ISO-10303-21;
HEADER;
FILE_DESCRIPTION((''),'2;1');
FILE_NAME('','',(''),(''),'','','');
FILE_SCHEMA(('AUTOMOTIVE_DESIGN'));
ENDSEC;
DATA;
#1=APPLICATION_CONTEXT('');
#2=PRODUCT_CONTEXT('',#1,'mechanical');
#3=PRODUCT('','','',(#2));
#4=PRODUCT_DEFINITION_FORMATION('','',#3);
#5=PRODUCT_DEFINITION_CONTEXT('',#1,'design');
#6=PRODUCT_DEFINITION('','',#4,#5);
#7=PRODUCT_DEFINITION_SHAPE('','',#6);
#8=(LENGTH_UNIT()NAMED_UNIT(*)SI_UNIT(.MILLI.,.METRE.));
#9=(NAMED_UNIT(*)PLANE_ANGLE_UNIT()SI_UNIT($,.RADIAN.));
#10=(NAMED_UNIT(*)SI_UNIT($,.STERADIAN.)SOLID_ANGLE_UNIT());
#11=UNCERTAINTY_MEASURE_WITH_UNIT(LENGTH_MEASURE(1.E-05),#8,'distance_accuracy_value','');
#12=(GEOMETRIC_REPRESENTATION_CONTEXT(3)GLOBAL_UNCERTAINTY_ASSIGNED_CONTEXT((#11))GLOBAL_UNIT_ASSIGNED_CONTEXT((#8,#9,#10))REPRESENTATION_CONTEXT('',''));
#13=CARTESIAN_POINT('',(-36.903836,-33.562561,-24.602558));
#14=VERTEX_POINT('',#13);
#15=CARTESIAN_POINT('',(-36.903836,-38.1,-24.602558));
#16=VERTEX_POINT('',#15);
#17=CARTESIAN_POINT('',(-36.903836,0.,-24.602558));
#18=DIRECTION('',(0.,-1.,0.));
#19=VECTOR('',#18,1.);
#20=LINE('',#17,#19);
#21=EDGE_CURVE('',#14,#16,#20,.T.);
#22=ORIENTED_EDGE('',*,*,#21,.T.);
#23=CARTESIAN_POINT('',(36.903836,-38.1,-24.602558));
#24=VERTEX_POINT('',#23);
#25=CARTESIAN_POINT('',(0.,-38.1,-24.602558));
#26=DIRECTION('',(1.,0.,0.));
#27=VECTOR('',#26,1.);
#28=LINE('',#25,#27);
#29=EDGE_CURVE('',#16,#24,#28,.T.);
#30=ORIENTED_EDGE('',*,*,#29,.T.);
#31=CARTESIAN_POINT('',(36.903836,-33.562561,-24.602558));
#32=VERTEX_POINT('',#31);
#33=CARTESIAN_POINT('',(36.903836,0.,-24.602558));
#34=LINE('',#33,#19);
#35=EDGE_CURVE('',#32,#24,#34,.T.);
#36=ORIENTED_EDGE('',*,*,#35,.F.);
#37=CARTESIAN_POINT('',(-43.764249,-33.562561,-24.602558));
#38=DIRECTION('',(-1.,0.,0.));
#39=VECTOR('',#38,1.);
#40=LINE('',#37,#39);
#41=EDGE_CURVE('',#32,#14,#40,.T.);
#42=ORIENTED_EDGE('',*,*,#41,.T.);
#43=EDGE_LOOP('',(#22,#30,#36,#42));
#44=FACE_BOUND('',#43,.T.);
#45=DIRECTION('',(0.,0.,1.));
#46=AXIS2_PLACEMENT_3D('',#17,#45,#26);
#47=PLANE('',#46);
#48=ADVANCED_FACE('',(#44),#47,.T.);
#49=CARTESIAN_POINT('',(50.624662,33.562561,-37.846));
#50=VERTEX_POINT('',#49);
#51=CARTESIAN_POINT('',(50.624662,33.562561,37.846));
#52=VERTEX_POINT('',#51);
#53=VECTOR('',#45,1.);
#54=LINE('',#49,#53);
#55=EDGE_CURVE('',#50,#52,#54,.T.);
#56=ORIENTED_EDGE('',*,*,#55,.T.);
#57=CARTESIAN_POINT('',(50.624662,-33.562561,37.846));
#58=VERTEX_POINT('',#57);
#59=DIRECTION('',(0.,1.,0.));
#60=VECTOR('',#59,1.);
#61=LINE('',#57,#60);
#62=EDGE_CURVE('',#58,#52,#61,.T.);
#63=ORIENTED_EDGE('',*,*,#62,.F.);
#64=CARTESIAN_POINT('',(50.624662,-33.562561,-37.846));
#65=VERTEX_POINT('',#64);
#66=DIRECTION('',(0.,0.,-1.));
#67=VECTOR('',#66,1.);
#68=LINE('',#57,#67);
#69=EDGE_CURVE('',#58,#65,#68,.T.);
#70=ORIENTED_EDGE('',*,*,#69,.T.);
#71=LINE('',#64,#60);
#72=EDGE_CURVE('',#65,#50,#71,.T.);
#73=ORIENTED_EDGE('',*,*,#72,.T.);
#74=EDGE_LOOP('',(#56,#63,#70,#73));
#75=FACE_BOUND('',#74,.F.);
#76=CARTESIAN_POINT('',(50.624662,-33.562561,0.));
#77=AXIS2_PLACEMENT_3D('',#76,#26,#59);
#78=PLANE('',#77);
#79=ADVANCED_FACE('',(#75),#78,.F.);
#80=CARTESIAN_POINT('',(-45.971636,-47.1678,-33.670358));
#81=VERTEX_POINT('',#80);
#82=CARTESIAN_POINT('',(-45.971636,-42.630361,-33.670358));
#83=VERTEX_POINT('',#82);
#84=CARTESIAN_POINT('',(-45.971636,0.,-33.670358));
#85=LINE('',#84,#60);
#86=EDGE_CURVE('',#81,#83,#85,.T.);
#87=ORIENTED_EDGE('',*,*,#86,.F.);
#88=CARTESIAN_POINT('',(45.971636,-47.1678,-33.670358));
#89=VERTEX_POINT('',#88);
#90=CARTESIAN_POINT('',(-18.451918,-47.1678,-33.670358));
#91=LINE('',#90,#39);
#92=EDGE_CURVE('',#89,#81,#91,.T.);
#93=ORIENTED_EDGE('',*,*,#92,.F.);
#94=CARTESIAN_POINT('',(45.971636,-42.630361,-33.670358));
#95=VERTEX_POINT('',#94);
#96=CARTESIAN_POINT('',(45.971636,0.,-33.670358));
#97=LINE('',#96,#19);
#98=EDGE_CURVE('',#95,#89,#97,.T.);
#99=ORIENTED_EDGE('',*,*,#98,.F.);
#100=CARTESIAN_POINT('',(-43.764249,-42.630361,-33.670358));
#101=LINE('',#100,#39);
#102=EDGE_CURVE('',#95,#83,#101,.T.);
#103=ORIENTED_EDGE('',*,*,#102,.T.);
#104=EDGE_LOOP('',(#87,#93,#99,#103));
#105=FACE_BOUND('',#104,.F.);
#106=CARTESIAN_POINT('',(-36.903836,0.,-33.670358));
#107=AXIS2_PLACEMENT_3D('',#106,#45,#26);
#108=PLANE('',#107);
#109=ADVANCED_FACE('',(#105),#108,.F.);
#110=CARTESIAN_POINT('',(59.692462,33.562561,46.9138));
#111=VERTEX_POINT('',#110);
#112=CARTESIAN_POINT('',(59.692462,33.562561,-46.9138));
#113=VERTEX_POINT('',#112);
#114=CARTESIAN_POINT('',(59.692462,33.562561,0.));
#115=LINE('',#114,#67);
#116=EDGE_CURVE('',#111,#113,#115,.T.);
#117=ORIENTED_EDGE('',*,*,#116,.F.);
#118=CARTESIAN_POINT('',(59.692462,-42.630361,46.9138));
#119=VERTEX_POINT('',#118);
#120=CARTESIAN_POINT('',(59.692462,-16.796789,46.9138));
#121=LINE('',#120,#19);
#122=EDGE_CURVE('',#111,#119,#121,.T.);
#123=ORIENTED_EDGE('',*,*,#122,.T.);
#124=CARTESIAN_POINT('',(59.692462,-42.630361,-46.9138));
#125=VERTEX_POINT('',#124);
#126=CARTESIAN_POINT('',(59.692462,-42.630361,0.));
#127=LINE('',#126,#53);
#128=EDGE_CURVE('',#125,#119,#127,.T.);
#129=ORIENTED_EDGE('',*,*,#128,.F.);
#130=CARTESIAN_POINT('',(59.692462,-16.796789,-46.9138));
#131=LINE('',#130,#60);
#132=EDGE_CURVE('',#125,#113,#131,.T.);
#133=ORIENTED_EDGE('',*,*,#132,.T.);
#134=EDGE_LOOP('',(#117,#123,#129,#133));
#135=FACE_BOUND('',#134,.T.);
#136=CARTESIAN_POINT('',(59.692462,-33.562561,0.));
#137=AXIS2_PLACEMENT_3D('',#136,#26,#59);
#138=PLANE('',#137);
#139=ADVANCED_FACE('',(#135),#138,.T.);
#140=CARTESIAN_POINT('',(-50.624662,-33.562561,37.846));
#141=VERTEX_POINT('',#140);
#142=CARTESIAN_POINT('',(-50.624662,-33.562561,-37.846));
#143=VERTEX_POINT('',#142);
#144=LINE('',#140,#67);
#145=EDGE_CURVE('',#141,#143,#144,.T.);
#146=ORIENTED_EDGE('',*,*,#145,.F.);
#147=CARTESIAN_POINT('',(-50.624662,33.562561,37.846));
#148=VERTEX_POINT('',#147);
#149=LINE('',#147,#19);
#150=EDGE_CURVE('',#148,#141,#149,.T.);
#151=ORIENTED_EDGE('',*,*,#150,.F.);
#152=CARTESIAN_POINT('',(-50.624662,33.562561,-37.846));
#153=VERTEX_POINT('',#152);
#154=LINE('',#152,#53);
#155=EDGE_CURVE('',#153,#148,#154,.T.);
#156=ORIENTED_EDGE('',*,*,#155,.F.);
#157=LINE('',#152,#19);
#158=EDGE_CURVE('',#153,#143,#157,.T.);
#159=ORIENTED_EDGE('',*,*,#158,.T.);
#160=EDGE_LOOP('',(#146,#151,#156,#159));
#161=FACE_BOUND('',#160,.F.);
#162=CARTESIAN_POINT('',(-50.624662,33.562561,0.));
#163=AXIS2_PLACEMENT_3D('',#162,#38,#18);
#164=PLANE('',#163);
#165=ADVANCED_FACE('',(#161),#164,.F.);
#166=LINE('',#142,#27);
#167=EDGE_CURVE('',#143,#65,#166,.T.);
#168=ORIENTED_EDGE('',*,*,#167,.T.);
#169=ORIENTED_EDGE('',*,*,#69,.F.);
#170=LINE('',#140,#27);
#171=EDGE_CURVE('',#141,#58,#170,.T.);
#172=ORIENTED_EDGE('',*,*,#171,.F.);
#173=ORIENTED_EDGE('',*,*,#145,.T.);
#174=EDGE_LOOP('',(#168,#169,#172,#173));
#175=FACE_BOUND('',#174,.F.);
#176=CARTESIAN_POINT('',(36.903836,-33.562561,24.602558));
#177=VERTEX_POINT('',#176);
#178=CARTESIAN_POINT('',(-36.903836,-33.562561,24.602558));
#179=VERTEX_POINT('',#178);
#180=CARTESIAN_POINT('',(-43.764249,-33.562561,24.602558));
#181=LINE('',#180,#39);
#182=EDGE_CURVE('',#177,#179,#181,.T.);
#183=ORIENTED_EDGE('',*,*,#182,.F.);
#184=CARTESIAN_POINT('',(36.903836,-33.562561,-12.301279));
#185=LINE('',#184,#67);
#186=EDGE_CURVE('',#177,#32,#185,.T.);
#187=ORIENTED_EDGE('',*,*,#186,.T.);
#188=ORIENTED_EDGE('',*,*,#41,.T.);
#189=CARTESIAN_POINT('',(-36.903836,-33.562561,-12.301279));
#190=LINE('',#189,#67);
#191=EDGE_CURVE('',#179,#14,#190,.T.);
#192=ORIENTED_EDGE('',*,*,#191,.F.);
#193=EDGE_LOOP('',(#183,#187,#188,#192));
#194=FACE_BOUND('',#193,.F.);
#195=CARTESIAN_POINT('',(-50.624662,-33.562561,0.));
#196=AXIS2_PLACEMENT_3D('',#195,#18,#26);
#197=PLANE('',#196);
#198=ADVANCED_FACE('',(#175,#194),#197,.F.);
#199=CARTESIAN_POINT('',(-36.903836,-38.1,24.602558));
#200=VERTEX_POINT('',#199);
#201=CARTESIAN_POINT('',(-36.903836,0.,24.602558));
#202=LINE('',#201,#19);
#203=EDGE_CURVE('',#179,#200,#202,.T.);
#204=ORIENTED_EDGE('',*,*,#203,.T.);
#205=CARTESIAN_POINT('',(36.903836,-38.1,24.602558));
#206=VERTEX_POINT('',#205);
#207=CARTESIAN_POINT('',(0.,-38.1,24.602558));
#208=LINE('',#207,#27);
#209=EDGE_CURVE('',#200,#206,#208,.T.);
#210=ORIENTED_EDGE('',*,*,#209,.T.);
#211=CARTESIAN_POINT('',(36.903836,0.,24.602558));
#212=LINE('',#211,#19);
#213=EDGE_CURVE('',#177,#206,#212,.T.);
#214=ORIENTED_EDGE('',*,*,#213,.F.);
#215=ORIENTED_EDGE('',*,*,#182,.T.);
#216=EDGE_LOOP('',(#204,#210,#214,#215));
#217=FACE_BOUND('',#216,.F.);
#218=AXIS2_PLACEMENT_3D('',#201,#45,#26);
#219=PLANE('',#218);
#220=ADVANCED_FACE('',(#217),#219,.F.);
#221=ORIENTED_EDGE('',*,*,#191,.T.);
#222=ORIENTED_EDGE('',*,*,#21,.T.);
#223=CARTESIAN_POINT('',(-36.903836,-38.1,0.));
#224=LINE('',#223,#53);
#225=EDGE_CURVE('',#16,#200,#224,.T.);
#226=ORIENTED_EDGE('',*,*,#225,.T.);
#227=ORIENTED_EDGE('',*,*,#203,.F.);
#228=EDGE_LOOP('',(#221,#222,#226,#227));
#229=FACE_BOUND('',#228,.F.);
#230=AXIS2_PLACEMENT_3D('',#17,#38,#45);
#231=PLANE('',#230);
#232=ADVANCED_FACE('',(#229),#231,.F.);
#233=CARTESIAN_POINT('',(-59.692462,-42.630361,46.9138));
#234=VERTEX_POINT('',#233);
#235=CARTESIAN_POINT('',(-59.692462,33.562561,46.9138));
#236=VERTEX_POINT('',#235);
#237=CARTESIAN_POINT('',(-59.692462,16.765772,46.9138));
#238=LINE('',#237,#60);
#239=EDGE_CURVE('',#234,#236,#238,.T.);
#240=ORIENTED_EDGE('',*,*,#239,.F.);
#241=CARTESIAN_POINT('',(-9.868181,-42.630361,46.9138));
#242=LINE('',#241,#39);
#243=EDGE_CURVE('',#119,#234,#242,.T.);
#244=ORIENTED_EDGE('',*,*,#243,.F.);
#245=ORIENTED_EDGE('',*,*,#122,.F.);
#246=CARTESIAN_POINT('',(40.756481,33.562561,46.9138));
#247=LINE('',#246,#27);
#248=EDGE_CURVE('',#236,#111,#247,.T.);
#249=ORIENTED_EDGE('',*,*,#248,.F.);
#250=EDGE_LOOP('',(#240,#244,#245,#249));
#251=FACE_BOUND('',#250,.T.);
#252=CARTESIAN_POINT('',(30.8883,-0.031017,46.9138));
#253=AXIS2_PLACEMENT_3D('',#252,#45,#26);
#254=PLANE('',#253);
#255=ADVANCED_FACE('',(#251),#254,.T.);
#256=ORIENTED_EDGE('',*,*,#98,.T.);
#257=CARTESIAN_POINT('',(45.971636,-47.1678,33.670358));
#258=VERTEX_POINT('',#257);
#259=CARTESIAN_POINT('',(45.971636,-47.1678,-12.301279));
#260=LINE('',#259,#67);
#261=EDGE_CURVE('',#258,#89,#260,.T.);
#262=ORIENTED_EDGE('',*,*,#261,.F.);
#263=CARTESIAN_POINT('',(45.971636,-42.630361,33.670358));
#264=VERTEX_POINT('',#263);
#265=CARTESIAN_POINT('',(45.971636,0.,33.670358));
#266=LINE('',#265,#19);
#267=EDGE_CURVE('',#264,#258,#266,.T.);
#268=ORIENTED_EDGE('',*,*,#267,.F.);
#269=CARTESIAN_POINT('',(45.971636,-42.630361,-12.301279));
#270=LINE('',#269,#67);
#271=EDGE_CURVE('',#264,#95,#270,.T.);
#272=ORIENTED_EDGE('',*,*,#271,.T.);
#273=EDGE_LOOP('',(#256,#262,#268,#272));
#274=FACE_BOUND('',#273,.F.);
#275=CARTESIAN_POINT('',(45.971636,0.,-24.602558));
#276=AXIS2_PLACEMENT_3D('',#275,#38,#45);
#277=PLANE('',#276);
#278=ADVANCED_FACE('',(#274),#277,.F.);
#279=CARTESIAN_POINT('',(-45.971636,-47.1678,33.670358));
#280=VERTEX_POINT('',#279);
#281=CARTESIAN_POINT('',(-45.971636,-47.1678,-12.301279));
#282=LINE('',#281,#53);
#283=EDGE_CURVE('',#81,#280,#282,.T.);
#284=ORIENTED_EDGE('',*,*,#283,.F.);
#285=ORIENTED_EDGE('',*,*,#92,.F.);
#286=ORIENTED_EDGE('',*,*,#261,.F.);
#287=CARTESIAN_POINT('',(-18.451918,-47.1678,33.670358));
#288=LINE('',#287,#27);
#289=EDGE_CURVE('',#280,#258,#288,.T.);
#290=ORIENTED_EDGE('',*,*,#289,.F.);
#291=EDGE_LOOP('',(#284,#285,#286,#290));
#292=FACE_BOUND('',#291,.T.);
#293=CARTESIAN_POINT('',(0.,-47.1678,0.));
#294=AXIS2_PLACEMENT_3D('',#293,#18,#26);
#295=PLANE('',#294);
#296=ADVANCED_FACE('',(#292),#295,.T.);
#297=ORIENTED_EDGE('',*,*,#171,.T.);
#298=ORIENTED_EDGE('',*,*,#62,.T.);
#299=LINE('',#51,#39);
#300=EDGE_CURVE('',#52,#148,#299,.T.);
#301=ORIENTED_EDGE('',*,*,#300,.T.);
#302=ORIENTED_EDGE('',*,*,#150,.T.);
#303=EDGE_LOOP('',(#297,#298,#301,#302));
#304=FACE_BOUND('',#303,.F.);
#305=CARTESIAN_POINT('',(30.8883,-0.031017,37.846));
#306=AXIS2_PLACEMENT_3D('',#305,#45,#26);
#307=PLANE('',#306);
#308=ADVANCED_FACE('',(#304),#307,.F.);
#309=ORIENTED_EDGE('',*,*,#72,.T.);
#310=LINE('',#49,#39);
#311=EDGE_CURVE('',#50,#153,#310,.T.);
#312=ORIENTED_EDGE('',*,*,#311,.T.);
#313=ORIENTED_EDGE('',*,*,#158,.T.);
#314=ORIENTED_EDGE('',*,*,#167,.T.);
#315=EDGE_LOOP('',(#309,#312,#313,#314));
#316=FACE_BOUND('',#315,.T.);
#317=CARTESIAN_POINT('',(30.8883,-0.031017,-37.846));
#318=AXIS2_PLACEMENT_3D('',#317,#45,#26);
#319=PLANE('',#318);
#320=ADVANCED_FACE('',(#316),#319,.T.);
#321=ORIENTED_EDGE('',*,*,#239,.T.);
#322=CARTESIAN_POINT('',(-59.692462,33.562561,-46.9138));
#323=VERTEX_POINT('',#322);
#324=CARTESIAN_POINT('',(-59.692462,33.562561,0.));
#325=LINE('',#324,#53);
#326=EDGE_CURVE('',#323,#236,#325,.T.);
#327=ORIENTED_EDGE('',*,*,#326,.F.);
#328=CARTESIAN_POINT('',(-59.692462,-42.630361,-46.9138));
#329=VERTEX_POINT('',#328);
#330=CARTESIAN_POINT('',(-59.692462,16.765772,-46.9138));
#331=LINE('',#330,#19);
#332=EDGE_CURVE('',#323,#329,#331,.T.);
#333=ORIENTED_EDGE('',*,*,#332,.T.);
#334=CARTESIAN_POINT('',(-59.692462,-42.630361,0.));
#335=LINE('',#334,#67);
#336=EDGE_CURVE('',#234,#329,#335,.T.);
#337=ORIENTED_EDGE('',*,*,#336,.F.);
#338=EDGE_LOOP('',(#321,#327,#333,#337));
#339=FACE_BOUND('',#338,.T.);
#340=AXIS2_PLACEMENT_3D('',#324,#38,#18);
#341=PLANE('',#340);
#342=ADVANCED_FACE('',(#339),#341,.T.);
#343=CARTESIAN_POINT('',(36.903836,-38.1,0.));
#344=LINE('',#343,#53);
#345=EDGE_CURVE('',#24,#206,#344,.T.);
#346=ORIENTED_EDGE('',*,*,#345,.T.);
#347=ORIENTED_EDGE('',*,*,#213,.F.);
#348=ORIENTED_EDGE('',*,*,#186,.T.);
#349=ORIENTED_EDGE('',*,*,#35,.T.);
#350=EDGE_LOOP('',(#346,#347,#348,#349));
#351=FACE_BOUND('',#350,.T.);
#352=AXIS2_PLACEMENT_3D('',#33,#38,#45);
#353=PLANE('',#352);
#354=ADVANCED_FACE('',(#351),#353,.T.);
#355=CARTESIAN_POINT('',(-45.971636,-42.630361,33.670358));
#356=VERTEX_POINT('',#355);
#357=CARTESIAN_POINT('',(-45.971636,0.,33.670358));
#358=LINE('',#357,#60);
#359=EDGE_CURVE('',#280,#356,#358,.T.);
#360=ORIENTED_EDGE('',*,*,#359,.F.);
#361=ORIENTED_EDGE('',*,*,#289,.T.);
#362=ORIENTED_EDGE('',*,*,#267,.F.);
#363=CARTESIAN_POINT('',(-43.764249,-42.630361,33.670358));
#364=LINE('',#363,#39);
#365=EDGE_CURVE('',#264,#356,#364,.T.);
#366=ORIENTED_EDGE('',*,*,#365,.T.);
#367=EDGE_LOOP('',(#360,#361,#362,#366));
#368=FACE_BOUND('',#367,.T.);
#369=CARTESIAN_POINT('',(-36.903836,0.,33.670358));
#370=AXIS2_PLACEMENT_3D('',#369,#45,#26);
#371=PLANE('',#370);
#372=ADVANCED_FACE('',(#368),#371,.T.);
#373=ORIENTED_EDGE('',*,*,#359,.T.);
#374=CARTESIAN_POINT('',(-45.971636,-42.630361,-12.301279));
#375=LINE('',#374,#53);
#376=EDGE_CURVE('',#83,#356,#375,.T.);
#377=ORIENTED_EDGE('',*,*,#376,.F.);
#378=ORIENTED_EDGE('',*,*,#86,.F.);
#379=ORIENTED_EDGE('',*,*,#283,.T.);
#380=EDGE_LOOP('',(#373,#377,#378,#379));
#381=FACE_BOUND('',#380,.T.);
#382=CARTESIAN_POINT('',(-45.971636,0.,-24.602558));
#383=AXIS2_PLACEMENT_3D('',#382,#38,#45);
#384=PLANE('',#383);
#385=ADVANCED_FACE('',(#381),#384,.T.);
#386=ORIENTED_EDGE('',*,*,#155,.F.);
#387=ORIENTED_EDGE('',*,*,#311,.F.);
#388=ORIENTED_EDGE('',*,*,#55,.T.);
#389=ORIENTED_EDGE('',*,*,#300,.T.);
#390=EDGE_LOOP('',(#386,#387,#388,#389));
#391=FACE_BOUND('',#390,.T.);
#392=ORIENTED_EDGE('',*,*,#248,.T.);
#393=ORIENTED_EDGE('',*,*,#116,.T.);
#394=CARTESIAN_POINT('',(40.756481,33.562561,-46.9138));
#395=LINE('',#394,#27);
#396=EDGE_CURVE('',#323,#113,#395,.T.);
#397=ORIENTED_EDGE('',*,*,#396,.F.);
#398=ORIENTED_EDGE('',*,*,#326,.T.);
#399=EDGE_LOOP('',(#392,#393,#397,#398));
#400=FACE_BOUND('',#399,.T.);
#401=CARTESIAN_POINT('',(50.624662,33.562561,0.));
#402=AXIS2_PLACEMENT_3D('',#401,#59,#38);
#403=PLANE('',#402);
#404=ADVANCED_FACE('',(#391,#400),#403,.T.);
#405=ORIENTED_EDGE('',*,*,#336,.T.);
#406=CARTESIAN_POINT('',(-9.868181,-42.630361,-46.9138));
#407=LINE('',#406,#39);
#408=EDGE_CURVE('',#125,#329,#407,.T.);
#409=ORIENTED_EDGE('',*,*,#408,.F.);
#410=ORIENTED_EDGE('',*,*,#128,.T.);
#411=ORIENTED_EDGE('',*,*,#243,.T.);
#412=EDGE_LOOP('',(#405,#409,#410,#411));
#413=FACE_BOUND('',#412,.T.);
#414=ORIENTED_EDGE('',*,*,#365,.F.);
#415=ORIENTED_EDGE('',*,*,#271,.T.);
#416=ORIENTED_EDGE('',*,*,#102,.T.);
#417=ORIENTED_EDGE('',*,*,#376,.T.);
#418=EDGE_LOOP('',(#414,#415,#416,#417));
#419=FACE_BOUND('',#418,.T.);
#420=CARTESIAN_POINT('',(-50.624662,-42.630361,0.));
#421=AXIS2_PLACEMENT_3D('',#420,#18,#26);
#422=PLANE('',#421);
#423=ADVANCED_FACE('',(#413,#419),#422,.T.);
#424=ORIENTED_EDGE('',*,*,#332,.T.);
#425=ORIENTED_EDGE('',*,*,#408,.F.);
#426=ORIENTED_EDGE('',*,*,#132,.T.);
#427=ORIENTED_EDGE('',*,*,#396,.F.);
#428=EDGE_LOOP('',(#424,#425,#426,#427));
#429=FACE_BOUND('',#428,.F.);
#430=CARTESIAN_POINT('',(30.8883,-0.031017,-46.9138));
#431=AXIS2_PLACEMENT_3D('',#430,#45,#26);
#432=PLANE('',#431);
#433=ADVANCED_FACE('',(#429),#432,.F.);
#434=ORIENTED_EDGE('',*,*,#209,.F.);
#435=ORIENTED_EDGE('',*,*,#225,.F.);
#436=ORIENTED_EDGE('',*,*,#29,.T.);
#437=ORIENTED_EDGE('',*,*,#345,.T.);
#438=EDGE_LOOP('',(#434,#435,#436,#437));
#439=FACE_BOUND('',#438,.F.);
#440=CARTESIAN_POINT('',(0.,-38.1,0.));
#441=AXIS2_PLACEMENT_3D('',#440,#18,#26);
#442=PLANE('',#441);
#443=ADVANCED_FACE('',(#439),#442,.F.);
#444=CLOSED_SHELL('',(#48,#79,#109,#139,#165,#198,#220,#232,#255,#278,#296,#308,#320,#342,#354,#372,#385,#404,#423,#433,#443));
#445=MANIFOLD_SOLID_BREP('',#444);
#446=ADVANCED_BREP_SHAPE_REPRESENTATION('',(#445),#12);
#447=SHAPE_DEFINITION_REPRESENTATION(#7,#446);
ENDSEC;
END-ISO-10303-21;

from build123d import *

# Parameters (mm, degrees)
F2_DEPTH = 37.846
F1_W     = 73.8076716661
F1_H     = 49.2051169276
F3_DEPTH = 38.1
F4_T     = 9.0678


with BuildPart() as f2:
    # F0 (on Top) → F2 (new body, symmetric)
    with BuildSketch(Plane.XY):
        Polygon((50.624661522, -33.5625614026), (50.624661522, 33.5625614026), (0, 11.3709298894), (0, -11.5776741877), align=None)
        Polygon((0, 11.3709298894), (-50.624661522, 33.5625614026), (-50.624661522, -33.5625614026), (0, -11.5776741877), align=None)
        Polygon((0, 11.3709298894), (50.624661522, 33.5625614026), (-50.624661522, 33.5625614026), align=None)
        Polygon((-50.624661522, -33.5625614026), (50.624661522, -33.5625614026), (0, -11.5776741877), align=None)
    extrude(amount=F2_DEPTH, both=True)

    # F1 (on Front) → F3 (join)
    with BuildSketch(Plane.XZ):
        Rectangle(F1_W, F1_H)
    extrude(amount=F3_DEPTH)

    # F4
    f4_openings = [f2.faces().sort_by_distance(p)[0] for p in [
        (0, 33.562561, 0),
    ]]
    offset(amount=F4_T, openings=f4_openings, kind=Kind.INTERSECTION)


solid = f2.part
